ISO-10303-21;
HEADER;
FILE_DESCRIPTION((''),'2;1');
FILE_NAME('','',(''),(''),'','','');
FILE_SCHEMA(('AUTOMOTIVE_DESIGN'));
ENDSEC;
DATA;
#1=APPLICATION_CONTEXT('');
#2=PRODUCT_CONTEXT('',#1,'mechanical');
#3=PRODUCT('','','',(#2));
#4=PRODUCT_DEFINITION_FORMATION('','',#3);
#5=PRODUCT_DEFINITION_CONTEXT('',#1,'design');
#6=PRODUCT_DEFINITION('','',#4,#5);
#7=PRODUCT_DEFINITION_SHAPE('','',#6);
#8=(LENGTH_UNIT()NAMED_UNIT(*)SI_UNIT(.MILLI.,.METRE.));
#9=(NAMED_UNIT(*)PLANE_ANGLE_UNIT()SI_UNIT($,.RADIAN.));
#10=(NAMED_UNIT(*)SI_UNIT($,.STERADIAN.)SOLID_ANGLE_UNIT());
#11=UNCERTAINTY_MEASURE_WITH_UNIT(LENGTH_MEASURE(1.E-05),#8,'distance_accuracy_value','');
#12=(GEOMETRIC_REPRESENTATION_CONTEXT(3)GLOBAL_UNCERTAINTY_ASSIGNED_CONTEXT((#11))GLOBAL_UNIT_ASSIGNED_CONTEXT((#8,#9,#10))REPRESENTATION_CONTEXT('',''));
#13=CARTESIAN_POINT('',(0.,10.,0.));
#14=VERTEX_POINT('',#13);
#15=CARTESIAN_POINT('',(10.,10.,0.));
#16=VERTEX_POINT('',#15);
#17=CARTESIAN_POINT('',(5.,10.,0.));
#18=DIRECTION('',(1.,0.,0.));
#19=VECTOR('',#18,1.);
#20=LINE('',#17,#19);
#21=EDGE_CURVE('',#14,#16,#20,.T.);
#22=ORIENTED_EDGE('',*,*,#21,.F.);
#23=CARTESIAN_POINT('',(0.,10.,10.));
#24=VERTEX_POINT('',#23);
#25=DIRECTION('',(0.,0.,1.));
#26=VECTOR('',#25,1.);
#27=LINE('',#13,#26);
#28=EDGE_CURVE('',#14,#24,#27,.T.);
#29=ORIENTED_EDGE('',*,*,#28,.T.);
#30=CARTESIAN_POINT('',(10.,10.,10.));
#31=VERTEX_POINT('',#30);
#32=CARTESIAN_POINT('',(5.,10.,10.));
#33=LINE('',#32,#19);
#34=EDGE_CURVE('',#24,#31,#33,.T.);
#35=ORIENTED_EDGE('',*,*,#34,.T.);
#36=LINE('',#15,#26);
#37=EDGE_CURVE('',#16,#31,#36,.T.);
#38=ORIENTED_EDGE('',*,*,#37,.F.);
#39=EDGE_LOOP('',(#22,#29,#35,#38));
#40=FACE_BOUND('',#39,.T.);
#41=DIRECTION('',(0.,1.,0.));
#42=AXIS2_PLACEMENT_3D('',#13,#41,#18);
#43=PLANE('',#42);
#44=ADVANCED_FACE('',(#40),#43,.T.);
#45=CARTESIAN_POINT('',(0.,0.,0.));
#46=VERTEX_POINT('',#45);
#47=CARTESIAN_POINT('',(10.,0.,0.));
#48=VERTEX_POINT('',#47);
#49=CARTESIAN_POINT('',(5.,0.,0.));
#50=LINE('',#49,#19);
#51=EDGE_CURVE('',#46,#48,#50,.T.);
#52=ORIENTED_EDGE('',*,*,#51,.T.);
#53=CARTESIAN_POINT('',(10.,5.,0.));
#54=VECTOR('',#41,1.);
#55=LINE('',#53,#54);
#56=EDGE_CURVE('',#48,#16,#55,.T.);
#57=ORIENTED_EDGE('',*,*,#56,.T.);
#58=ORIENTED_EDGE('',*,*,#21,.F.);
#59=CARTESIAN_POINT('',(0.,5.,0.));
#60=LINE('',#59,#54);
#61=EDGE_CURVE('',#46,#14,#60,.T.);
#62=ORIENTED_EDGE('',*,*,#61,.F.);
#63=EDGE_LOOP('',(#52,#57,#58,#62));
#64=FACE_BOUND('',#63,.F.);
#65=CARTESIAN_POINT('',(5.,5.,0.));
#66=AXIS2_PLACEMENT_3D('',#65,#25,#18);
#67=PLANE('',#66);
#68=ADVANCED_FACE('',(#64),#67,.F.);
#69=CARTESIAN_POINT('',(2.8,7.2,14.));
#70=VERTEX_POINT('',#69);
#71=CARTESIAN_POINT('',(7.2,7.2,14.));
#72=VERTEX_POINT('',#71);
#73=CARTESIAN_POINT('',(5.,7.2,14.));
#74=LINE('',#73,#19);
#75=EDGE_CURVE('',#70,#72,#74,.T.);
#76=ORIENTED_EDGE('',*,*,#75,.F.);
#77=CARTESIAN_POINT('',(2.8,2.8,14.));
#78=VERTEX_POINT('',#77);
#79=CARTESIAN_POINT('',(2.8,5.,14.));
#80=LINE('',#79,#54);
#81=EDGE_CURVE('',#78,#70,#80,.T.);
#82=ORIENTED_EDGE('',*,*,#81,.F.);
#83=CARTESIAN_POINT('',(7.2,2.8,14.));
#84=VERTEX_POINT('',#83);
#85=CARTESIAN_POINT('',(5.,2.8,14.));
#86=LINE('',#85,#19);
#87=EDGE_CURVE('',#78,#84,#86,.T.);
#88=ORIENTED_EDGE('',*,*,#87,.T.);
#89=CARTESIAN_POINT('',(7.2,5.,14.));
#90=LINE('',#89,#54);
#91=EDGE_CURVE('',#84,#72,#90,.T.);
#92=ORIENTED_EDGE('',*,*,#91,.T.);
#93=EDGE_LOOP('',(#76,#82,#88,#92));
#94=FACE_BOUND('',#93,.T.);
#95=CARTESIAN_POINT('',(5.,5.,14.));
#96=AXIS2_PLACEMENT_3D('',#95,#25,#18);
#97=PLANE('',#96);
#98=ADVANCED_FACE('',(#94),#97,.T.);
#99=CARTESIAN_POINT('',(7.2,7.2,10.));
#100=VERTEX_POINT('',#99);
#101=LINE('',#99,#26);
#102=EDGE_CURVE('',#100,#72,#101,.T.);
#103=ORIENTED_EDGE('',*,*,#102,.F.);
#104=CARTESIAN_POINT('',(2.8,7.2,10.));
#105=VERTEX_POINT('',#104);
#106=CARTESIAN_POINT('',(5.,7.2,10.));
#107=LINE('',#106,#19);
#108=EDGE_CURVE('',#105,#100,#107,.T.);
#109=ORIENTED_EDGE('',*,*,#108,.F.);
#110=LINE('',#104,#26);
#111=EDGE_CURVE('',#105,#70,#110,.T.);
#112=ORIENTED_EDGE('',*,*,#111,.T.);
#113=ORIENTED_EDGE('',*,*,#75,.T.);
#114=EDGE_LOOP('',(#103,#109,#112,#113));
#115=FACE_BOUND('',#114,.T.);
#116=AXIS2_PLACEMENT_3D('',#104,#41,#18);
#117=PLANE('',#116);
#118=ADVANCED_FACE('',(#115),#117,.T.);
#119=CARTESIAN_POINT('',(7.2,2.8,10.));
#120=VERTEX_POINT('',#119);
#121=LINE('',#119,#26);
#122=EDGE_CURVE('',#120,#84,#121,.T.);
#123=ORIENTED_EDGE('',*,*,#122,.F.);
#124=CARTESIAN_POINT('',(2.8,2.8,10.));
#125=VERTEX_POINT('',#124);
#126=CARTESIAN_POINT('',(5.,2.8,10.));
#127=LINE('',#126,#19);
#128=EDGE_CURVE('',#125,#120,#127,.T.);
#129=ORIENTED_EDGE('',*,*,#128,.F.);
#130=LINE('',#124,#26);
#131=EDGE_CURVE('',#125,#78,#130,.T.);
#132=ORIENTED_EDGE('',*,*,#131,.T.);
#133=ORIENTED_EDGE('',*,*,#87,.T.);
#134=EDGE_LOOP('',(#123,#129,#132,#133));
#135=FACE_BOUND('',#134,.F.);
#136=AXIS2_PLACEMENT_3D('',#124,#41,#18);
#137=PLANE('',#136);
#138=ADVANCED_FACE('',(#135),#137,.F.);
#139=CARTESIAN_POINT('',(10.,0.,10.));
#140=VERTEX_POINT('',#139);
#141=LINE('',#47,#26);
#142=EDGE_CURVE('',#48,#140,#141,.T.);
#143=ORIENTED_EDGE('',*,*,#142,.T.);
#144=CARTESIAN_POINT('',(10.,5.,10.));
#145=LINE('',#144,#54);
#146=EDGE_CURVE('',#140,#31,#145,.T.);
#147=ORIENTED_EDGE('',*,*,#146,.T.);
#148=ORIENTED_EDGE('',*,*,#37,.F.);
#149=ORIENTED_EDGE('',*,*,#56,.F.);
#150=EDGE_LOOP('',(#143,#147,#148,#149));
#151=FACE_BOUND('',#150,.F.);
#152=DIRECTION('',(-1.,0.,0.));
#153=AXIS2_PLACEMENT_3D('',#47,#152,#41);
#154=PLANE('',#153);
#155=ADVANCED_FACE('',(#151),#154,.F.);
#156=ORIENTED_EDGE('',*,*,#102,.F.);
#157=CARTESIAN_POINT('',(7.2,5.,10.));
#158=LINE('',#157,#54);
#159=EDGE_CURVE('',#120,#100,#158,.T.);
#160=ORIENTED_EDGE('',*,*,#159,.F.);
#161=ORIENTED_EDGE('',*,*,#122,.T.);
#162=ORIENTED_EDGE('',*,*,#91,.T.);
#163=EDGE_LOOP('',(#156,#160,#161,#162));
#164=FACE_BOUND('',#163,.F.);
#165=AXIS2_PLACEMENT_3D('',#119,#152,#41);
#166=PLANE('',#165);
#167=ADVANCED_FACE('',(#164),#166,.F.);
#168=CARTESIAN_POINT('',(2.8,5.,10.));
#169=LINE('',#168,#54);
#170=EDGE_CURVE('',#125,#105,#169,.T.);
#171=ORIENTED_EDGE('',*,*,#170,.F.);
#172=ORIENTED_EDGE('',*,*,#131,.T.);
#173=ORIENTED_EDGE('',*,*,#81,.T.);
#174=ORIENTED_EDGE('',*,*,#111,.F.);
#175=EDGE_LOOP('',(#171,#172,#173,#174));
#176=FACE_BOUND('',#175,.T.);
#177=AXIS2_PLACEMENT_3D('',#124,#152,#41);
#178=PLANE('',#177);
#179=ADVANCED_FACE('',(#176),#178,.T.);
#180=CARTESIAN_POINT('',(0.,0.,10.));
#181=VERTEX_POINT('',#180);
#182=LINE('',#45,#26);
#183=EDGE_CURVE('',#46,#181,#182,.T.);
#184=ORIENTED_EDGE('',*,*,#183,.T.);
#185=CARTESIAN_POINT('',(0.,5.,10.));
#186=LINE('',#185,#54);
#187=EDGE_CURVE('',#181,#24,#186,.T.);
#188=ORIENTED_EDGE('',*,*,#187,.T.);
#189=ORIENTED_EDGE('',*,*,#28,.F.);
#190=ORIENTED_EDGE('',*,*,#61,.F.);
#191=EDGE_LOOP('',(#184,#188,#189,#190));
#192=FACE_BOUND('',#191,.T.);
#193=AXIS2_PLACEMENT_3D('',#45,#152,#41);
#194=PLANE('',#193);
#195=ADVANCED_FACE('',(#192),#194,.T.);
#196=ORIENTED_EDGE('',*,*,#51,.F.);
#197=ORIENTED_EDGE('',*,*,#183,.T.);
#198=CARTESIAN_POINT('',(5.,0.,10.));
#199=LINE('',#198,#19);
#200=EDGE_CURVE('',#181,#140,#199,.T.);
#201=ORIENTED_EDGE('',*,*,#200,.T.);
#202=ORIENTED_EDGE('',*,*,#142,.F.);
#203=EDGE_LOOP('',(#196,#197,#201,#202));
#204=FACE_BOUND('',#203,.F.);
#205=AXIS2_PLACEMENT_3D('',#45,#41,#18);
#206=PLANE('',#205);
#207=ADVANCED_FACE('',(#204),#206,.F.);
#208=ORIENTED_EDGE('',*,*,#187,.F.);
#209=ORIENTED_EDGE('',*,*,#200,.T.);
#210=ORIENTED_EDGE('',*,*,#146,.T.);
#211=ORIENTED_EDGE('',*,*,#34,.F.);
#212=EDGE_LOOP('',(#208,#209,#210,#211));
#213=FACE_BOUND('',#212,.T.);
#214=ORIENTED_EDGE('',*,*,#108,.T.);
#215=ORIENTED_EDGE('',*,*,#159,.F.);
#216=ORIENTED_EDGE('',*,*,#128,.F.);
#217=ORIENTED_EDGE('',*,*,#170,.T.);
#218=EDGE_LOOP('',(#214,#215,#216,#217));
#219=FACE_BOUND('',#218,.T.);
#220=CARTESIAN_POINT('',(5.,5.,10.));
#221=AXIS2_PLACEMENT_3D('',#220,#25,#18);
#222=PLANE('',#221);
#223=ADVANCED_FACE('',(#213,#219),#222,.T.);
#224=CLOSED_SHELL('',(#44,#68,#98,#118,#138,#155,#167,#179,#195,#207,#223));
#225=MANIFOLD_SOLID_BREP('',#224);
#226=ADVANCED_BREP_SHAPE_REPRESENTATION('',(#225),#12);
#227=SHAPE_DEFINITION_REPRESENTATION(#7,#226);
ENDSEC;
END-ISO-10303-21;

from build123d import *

# Parameters (mm, degrees)
BOX_W     = 10
BOX_H     = 10
BOX_DEPTH = 10
SKETCH_W  = 4.4
SKETCH_H  = 4.4
PAD_DEPTH = 4


with BuildPart() as part:
    # Box → Box (new body)
    with BuildSketch(Plane.XY):
        with Locations((5, 5)):
            Rectangle(BOX_W, BOX_H)
    extrude(amount=BOX_DEPTH)

    # Sketch (on Face6 of BaseFeature) → Pad (new body)
    with BuildSketch(Plane.XY.offset(10)):
        with Locations((5, 5)):
            Rectangle(SKETCH_W, SKETCH_H)
    extrude(amount=PAD_DEPTH)


solid = part.part
